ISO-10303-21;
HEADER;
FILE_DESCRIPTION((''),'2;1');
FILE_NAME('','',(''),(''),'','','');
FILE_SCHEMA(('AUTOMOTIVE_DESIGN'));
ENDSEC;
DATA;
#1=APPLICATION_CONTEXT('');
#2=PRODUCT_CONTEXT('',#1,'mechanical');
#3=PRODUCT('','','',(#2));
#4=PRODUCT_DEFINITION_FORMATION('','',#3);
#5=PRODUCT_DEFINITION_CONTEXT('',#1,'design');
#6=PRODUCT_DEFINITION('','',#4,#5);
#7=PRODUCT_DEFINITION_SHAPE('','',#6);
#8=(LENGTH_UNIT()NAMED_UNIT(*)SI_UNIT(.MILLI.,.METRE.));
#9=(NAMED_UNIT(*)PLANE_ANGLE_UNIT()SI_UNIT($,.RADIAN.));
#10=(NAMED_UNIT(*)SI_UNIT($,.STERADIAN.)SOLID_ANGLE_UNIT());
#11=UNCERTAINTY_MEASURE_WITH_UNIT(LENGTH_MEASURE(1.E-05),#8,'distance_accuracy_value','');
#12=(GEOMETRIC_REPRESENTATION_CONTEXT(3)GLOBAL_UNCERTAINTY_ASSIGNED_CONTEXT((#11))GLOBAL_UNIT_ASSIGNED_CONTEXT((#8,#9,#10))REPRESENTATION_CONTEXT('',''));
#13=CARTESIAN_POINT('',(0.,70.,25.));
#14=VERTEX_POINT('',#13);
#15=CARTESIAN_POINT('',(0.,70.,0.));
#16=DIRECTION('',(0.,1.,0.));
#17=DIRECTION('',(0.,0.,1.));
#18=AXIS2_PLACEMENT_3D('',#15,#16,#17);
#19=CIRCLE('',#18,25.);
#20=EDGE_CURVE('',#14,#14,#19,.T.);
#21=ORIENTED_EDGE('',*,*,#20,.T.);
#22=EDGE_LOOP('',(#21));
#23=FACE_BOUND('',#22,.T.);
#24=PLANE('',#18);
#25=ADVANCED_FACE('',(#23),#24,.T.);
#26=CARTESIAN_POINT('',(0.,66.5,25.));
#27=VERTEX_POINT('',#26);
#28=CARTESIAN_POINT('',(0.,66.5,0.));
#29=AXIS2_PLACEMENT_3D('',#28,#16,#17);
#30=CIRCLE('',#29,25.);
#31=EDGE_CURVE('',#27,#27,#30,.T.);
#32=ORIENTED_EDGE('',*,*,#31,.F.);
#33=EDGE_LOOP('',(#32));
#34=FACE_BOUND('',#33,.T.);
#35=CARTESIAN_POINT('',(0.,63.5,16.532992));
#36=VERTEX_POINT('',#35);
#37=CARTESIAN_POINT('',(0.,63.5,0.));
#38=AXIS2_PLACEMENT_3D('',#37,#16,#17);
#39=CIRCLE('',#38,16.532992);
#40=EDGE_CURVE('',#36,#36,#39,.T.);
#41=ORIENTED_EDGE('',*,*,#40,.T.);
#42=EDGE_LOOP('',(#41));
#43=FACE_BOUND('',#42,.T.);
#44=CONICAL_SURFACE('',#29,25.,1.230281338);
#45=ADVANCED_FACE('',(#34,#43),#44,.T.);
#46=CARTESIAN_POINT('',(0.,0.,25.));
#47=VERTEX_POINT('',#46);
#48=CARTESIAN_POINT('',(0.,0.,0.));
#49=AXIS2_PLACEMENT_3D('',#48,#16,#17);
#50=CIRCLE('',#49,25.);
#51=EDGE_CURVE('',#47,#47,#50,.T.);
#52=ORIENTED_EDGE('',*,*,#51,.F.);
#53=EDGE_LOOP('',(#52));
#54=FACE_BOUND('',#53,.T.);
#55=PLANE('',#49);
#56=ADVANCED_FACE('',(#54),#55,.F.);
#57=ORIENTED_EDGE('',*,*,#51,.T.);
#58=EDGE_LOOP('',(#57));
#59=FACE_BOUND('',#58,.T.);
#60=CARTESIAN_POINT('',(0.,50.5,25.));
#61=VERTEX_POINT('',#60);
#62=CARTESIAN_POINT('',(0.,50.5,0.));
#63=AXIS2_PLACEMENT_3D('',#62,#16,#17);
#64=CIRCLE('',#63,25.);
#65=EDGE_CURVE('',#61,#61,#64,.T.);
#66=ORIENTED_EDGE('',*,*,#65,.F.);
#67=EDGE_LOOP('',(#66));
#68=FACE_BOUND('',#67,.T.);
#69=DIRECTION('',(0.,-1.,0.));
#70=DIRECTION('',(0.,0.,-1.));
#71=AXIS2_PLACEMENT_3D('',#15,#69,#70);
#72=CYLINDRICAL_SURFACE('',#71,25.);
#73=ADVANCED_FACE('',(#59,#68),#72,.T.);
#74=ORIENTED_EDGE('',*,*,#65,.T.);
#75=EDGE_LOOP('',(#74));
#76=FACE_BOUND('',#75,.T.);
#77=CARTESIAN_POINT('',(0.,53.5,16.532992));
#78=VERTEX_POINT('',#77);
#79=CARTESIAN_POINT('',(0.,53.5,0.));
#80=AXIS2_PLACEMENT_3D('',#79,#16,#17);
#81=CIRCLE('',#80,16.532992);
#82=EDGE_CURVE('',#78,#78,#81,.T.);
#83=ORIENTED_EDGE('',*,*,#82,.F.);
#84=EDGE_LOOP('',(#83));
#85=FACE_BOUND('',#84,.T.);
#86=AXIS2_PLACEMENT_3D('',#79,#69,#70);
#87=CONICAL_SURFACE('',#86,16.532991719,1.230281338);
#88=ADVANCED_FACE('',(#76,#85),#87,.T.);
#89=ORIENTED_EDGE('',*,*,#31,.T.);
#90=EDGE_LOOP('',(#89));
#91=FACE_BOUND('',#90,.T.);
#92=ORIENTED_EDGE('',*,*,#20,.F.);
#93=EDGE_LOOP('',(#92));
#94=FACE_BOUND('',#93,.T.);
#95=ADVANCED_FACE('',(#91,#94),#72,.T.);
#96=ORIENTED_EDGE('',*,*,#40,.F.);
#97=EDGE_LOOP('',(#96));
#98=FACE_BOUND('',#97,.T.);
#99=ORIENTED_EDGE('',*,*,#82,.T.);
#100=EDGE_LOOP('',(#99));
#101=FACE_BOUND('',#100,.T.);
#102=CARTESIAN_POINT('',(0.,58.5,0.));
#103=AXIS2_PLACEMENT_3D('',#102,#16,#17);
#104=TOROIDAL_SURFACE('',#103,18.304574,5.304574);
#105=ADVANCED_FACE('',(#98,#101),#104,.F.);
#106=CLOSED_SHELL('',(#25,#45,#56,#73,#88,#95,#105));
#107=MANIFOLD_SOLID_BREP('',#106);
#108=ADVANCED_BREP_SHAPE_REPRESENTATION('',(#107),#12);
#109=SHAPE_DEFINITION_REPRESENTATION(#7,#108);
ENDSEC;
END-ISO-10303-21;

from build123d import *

# Parameters (mm, degrees)
SKETCH1_R           = 25
BOSS_EXTRUDE1_DEPTH = 70


with BuildPart() as part:
    # Sketch1 → Boss-Extrude1 (new body)
    with BuildSketch(Plane(origin=(0, 0, 0), x_dir=(1, 0, 0), z_dir=(0, 1, 0))):
        Circle(SKETCH1_R)
    extrude(amount=BOSS_EXTRUDE1_DEPTH)

    # Sketch2 → Cut-Revolve1 (revolve, cut)
    with BuildSketch(Plane(origin=(0, 0, 0), x_dir=(0, 0, -1), z_dir=(1, 0, 0))):
        with BuildLine():
            Line((25, 50.5), (16.532991719, 53.5))
            ThreePointArc((16.532991719, 53.5), (13.972369333, 55.438871512), (13, 58.5))
            ThreePointArc((13, 58.5), (13.972369333, 61.561128488), (16.532991719, 63.5))
            Line((16.532991719, 63.5), (25, 66.5))
            Line((25, 66.5), (25, 50.5))
        make_face()
    revolve(axis=Axis((0, 73.5, 0), (0, -1, 0)), mode=Mode.SUBTRACT)


solid = part.part
